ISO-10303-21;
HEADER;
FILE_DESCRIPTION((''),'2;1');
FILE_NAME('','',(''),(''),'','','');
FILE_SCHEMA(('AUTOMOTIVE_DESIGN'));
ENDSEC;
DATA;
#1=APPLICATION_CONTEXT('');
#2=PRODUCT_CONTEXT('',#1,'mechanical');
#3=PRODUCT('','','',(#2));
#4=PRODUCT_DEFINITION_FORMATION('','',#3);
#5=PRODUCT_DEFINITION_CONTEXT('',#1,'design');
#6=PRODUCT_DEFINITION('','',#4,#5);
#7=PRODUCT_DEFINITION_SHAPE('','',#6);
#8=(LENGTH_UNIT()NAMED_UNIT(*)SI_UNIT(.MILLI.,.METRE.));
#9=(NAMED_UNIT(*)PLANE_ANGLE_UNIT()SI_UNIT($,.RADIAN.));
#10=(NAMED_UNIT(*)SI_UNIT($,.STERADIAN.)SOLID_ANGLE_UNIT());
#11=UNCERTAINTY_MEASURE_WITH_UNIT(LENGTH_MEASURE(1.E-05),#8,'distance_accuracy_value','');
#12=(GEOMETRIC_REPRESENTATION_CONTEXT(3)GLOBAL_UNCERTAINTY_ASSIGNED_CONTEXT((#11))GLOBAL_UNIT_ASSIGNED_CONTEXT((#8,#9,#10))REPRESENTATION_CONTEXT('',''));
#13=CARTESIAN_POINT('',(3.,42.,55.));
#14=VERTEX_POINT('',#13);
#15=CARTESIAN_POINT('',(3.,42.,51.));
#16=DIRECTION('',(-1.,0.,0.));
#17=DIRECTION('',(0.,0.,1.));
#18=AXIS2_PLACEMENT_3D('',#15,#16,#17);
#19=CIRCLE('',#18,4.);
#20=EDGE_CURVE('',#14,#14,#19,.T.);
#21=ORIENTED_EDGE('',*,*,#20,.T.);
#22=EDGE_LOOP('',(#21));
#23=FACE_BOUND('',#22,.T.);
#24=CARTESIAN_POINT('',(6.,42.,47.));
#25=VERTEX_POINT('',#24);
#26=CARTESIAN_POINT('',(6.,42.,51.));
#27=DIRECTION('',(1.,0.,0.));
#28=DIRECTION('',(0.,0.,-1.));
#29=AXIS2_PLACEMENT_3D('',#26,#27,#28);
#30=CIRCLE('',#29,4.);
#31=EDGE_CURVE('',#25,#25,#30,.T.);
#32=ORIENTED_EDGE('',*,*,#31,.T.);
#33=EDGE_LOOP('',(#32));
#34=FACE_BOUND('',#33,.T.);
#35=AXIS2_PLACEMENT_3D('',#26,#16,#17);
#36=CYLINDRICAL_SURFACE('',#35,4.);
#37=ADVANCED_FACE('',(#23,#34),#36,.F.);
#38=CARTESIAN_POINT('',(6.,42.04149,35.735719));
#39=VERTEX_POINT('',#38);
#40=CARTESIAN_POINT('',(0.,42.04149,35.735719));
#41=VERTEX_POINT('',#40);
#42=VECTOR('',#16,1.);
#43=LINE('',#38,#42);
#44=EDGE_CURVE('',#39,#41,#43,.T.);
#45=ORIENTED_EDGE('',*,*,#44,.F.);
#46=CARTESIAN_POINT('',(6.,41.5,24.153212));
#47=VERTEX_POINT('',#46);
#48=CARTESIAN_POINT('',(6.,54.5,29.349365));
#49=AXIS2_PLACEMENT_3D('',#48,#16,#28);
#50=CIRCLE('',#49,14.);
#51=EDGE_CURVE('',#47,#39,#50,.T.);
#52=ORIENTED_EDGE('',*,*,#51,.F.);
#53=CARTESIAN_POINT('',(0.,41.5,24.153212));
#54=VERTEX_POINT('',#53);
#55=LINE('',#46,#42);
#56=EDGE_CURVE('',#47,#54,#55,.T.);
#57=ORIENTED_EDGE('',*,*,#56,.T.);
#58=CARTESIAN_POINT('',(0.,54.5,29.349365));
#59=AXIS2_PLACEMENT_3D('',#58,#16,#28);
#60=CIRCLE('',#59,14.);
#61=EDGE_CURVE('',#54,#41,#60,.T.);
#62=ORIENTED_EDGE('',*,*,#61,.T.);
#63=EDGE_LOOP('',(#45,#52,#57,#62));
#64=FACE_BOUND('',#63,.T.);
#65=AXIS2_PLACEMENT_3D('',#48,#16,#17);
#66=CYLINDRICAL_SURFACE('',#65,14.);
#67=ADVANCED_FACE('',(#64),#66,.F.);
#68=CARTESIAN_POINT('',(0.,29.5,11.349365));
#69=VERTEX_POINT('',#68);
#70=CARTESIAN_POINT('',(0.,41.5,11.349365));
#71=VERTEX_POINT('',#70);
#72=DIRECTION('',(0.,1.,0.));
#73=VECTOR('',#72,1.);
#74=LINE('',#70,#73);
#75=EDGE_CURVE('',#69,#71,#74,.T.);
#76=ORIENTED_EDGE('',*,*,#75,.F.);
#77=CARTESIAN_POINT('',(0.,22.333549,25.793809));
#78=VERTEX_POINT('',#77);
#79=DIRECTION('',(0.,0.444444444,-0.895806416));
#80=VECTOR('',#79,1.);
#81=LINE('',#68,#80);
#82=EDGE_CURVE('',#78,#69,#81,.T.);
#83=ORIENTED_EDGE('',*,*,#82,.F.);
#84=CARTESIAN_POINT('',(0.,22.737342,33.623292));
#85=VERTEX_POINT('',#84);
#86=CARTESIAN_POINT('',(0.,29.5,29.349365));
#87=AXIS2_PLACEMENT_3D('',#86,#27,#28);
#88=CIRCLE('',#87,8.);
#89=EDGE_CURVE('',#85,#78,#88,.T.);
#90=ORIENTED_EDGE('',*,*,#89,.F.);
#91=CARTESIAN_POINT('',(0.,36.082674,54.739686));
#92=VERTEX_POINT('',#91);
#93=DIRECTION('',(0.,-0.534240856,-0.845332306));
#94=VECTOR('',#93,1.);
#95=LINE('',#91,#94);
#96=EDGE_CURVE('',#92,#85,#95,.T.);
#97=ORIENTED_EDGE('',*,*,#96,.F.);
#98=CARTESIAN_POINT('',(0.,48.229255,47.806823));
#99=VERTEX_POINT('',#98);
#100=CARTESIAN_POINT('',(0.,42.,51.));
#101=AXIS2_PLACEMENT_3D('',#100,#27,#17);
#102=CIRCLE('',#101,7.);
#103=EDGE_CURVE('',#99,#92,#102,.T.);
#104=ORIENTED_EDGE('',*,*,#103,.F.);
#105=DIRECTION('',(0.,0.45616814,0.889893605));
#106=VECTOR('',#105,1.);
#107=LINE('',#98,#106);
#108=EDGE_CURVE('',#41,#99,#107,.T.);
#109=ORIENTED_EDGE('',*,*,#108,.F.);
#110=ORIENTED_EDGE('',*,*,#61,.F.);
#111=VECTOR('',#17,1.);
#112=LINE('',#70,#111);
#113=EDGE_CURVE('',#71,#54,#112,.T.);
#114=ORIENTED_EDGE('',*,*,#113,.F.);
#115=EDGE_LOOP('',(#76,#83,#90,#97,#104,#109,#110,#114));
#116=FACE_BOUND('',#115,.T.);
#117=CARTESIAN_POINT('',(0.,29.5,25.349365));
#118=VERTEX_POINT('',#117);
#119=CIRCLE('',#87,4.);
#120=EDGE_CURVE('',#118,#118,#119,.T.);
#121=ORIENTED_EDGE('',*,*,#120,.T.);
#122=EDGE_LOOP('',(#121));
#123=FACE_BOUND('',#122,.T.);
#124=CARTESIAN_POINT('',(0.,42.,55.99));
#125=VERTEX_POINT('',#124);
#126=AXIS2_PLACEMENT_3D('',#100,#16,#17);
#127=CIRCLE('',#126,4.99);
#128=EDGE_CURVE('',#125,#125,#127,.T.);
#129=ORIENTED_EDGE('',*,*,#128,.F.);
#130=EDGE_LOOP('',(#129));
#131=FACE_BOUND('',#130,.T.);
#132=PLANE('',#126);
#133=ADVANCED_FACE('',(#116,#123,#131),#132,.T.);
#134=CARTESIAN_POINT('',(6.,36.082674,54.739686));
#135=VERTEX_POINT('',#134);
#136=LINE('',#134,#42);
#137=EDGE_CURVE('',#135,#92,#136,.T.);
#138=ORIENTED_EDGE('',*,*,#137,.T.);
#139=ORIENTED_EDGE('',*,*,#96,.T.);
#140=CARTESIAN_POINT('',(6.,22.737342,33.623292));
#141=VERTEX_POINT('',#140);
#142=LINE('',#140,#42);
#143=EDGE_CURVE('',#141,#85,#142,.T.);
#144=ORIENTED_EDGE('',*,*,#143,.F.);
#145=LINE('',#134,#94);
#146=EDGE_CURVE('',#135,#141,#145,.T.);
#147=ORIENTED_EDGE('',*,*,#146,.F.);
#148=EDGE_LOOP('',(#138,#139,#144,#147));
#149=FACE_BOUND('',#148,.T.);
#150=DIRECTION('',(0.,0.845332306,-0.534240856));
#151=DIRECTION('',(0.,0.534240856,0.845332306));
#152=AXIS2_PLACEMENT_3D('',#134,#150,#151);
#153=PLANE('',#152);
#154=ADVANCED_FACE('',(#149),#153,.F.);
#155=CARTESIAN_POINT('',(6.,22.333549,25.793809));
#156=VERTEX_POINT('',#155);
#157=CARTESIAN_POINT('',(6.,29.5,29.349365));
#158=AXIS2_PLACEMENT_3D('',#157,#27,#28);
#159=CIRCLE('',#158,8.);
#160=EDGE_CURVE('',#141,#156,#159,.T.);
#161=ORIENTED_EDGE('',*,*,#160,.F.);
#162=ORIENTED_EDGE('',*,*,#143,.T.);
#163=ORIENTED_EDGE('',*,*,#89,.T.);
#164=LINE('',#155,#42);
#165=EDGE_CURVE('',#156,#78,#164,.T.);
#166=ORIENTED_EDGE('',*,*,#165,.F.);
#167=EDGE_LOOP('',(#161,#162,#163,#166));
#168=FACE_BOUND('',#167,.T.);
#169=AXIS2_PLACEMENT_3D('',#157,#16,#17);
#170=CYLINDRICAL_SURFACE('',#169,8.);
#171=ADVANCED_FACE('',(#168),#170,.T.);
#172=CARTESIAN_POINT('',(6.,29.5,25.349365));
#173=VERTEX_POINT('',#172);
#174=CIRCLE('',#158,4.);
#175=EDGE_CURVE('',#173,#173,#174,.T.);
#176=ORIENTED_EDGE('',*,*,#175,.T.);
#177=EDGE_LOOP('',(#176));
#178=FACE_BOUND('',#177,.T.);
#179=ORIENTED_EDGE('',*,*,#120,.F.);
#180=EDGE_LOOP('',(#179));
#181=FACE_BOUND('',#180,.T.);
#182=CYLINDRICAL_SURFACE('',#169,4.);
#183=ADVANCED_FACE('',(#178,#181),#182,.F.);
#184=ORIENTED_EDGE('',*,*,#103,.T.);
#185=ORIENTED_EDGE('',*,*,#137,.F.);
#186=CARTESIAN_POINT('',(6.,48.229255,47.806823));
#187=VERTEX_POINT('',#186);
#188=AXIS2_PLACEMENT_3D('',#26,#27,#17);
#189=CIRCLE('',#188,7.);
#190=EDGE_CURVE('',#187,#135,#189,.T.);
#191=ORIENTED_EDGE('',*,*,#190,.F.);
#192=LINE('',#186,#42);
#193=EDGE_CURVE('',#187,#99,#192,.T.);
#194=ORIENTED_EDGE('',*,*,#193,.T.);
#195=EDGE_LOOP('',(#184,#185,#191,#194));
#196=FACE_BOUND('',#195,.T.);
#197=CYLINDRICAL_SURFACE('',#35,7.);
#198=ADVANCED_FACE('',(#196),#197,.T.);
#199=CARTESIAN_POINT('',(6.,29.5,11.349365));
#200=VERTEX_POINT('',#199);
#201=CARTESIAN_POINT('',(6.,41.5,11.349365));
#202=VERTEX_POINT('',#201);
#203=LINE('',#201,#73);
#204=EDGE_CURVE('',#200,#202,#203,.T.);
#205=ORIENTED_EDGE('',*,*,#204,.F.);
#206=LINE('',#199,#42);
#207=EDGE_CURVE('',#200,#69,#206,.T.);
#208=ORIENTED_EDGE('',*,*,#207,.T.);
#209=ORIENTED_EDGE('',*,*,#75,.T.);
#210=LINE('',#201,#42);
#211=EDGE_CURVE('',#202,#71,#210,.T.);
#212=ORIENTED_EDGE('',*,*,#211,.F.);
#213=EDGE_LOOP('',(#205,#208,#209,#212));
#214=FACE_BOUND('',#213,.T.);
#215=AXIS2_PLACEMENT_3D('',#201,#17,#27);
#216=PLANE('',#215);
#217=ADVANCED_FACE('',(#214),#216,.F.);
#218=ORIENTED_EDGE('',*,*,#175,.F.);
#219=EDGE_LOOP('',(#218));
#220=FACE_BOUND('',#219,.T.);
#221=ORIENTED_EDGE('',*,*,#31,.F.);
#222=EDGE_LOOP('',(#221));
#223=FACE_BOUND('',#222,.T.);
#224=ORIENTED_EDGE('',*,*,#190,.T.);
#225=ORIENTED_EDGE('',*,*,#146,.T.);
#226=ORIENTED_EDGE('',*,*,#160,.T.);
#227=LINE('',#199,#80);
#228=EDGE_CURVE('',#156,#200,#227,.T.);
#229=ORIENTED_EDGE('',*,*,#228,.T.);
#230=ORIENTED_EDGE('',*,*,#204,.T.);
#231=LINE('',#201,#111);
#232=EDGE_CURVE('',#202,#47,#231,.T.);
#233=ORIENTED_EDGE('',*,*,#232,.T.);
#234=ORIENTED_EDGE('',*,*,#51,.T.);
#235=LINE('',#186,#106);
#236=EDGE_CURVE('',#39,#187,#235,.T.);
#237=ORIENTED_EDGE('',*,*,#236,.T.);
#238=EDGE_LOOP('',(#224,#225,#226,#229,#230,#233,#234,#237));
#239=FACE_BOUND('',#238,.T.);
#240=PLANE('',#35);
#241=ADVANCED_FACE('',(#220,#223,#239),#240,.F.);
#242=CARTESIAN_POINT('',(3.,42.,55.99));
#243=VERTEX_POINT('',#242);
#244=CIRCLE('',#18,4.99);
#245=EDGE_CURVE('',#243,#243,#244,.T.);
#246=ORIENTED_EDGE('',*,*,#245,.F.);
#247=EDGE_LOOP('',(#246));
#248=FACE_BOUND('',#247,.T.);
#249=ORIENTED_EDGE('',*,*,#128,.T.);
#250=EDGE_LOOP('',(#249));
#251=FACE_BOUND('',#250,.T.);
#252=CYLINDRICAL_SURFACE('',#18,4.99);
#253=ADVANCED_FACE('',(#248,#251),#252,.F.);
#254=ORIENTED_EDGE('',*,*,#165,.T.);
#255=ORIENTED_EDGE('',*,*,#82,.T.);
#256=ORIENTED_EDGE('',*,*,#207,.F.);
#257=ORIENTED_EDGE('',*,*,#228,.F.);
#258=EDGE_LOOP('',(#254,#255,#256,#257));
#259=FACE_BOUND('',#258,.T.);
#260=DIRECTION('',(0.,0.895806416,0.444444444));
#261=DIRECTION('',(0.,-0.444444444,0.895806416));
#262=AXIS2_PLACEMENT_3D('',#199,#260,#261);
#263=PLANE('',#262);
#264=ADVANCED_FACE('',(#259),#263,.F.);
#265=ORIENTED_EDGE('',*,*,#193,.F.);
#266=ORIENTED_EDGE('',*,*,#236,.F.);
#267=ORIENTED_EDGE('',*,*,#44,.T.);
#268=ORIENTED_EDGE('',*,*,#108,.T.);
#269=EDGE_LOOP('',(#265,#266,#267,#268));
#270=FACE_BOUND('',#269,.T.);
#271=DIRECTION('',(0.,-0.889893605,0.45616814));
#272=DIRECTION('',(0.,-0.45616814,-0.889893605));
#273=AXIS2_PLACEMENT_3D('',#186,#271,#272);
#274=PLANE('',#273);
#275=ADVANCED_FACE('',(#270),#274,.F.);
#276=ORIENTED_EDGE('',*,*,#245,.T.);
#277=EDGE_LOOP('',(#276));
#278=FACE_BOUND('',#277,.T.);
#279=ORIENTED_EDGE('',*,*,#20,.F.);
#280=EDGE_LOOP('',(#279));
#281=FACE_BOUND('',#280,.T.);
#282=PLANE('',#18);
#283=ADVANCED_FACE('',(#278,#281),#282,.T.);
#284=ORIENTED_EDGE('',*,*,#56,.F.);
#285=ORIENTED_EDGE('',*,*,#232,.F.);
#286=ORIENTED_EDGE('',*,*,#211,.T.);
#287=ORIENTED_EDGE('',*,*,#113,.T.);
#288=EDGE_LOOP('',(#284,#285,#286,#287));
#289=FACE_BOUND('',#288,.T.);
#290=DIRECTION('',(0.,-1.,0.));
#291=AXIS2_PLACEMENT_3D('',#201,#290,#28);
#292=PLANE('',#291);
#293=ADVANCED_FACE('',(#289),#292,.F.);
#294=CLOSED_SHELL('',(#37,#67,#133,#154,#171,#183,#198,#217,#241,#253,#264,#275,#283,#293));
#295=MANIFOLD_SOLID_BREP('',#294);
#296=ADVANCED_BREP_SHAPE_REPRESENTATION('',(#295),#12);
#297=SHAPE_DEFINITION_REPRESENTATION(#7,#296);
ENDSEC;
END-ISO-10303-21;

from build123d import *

# Parameters (mm, degrees)
SKETCH2_R           = 4
BOSS_EXTRUDE1_DEPTH = 6
SKETCH3_R           = 4.99
CUT_EXTRUDE1_DEPTH  = 3


with BuildPart() as part:
    # Sketch2 → Boss-Extrude1 (new body)
    with BuildSketch(Plane(origin=(0, 0, 0), x_dir=(0, 0, -1), z_dir=(1, 0, 0))):
        with BuildLine():
            Line((-47.806823021, 48.229255235), (-35.735718863, 42.04148953))
            ThreePointArc((-35.735718863, 42.04148953), (-30.003159714, 40.51527432), (-24.153212483, 41.5))
            Line((-24.153212483, 41.5), (-11.349364905, 41.5))
            Line((-11.349364905, 41.5), (-11.349364905, 29.5))
            Line((-11.349364905, 29.5), (-25.79380935, 22.333548668))
            ThreePointArc((-25.79380935, 22.333548668), (-29.761404347, 21.510618078), (-33.623291754, 22.737341551))
            Line((-33.623291754, 22.737341551), (-54.739685992, 36.082673857))
            ThreePointArc((-54.739685992, 36.082673857), (-57.079434827, 45.469938354), (-47.806823021, 48.229255235))
        make_face()
        with Locations((-51, 42)):
            Circle(SKETCH2_R, mode=Mode.SUBTRACT)
        with Locations((-29.349364905, 29.5)):
            Circle(SKETCH2_R, mode=Mode.SUBTRACT)
    extrude(amount=BOSS_EXTRUDE1_DEPTH)

    # Sketch3 → Cut-Extrude1 (cut)
    with BuildSketch(Plane.ZY):
        with Locations((51, 42)):
            Circle(SKETCH3_R)
    extrude(amount=-CUT_EXTRUDE1_DEPTH, mode=Mode.SUBTRACT)


solid = part.part
